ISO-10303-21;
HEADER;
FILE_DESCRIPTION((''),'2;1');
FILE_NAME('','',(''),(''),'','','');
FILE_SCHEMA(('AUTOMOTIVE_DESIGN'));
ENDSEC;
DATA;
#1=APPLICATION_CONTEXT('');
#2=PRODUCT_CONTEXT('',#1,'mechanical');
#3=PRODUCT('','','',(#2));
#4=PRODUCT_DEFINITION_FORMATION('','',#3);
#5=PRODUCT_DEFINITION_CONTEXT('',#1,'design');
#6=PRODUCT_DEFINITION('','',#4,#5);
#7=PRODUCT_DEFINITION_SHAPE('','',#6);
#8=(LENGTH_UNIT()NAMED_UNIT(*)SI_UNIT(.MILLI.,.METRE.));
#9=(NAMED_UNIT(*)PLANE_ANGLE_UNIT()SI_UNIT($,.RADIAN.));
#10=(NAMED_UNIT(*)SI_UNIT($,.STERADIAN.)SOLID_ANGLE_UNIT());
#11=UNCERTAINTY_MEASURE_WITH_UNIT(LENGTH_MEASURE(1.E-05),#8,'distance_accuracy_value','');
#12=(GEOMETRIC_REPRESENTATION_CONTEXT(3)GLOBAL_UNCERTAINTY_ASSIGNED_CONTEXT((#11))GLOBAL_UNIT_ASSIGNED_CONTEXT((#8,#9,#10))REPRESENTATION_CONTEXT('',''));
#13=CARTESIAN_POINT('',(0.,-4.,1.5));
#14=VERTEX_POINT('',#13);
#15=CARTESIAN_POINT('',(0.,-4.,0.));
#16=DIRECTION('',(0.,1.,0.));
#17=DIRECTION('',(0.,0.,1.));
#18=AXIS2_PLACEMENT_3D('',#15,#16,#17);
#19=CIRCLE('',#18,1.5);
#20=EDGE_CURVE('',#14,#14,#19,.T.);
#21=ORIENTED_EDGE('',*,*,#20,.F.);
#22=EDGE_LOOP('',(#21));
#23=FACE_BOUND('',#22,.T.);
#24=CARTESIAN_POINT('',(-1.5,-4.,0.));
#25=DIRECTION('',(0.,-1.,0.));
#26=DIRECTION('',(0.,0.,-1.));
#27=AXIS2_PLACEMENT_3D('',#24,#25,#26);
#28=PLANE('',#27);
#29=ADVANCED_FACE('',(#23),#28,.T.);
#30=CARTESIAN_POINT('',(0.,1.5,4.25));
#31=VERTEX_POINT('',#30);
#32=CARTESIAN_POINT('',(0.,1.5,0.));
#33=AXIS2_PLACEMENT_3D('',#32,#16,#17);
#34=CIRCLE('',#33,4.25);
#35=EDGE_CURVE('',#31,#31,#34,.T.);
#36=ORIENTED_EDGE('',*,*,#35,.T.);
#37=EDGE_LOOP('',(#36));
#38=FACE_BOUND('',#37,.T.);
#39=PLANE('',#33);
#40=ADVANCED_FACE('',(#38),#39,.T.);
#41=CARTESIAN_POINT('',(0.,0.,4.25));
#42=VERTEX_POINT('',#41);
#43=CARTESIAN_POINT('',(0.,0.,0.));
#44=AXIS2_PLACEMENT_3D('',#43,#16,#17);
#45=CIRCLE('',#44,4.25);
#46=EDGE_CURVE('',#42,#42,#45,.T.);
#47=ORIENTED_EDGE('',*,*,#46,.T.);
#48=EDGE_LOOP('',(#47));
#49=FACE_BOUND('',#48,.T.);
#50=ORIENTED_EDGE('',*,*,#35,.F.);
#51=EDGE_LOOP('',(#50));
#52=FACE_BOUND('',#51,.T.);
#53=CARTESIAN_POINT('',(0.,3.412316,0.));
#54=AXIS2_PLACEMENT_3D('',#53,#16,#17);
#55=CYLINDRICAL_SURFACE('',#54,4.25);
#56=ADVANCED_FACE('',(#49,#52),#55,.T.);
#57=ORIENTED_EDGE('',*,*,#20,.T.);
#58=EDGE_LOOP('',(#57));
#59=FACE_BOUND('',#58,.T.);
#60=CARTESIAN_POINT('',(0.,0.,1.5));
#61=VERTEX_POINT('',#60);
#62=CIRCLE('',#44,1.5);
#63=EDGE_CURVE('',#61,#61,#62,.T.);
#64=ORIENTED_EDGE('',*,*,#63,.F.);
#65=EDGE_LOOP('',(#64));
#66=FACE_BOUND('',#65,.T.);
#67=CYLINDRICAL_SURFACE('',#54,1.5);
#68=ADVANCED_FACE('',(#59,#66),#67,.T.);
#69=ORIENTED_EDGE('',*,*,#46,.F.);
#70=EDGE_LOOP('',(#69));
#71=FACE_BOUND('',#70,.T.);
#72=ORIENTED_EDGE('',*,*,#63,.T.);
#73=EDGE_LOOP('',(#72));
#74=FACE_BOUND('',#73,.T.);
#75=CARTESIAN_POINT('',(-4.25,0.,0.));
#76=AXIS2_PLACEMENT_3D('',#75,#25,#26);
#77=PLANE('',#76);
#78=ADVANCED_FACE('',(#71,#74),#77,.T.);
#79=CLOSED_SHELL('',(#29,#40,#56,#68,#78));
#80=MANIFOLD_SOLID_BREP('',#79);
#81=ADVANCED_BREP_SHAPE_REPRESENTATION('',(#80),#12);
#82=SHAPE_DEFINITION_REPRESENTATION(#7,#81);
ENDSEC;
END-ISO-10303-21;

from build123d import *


with BuildPart() as part:
    # Esquisse1 → Révolution1 (revolve)
    with BuildSketch(Plane.XY):
        Polygon((0, 1.5), (-4.25, 1.5), (-4.25, 0), (-1.5, 0), (-1.5, -4), (0, -4), align=None)
    revolve(axis=Axis((0, 3.412315973, 0), (0, -1, 0)))


solid = part.part
